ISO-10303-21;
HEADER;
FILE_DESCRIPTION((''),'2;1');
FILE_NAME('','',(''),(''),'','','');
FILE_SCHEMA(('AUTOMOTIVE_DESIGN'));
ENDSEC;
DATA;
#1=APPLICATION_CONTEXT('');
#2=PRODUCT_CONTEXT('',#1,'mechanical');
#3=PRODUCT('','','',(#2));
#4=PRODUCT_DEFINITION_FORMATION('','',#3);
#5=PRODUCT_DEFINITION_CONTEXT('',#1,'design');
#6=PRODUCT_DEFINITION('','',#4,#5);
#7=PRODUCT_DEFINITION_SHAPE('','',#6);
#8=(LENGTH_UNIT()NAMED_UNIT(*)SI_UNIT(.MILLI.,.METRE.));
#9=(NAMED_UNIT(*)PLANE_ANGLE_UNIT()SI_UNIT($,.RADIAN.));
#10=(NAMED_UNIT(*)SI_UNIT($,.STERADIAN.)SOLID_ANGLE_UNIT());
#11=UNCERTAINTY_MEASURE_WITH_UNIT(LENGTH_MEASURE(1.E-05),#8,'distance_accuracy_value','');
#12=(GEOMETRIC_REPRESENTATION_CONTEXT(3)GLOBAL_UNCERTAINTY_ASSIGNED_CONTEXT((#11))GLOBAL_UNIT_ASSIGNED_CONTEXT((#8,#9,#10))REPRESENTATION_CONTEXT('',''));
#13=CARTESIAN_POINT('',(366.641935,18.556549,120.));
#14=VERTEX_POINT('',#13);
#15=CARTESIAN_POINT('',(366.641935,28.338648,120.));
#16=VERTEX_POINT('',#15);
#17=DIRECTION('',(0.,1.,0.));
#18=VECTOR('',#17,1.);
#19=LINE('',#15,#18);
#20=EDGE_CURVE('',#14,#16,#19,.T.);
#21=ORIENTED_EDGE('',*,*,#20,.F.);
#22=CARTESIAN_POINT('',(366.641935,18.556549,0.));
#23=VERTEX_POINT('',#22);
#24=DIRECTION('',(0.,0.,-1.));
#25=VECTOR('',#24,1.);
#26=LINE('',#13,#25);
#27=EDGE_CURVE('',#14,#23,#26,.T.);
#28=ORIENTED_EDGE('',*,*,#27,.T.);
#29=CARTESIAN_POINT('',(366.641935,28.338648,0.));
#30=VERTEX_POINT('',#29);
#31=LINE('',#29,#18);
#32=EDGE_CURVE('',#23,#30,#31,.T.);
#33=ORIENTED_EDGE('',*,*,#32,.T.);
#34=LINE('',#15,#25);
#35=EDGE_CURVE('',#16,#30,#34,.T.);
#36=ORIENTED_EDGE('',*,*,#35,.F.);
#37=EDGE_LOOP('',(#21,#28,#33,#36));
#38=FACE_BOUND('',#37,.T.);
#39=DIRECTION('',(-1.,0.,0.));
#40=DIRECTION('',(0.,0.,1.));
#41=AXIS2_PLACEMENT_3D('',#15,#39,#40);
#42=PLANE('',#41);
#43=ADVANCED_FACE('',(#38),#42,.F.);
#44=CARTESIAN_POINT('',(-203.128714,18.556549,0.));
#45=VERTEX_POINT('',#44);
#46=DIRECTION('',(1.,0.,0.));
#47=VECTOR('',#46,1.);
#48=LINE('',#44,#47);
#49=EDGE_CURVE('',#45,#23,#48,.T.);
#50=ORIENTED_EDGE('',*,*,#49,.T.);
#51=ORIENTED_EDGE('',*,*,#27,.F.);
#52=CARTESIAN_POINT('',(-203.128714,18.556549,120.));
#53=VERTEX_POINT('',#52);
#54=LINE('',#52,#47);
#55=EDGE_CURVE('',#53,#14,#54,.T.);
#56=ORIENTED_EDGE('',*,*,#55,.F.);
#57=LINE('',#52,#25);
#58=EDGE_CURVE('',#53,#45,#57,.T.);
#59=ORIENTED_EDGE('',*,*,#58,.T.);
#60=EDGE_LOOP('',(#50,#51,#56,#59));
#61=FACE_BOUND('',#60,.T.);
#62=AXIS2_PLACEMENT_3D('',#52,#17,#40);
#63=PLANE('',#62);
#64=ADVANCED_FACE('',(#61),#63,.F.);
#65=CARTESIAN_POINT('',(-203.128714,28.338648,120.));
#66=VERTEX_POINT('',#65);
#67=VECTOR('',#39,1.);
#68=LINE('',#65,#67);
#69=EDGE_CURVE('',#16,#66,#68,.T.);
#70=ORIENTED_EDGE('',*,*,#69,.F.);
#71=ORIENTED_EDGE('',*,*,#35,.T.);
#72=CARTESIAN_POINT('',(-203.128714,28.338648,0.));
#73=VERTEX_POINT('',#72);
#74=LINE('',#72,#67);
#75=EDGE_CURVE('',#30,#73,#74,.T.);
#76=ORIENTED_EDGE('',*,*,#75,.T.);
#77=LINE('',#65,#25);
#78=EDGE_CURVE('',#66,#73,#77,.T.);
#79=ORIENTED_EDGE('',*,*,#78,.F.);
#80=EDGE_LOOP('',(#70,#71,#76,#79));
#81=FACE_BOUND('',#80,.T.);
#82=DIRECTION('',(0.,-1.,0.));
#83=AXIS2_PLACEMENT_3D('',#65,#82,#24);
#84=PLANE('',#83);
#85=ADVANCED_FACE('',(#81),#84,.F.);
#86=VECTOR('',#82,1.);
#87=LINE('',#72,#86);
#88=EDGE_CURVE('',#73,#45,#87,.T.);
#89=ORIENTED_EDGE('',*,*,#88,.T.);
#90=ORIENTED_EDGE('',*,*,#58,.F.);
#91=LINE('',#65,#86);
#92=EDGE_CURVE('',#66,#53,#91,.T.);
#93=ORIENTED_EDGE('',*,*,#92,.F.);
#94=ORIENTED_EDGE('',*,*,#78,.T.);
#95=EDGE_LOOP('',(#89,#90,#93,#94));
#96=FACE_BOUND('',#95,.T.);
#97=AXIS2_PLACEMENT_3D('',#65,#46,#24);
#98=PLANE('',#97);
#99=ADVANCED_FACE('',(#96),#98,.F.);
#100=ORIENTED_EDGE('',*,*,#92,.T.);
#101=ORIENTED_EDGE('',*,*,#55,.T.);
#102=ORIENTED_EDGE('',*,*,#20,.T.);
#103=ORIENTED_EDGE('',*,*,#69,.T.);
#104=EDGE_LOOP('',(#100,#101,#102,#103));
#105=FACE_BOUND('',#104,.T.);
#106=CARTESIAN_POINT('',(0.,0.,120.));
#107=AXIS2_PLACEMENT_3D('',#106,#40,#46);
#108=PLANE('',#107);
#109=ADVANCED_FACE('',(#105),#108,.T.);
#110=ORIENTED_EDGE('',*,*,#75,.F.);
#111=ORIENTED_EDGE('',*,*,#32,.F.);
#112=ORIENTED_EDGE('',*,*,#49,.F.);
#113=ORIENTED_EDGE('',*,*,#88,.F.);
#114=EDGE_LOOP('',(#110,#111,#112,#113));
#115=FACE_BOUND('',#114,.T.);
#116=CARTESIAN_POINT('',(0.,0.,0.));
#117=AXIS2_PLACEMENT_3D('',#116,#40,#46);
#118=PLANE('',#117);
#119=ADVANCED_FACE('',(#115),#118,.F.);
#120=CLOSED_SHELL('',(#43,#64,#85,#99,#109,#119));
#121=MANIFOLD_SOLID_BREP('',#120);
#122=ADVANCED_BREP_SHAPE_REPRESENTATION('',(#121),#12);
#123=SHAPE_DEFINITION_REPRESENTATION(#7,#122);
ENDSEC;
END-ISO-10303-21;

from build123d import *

# Parameters (mm, degrees)
SKETCH_1_W      = 569.770649127
SKETCH_1_H      = 9.782099076
EXTRUDE_1_DEPTH = 120


with BuildPart() as part:
    # Эскиз1 → Бобышка-Вытянуть1 (new body)
    with BuildSketch(Plane.XY):
        with Locations((81.756610091, 23.447598423)):
            Rectangle(SKETCH_1_W, SKETCH_1_H)
    extrude(amount=EXTRUDE_1_DEPTH)


solid = part.part
